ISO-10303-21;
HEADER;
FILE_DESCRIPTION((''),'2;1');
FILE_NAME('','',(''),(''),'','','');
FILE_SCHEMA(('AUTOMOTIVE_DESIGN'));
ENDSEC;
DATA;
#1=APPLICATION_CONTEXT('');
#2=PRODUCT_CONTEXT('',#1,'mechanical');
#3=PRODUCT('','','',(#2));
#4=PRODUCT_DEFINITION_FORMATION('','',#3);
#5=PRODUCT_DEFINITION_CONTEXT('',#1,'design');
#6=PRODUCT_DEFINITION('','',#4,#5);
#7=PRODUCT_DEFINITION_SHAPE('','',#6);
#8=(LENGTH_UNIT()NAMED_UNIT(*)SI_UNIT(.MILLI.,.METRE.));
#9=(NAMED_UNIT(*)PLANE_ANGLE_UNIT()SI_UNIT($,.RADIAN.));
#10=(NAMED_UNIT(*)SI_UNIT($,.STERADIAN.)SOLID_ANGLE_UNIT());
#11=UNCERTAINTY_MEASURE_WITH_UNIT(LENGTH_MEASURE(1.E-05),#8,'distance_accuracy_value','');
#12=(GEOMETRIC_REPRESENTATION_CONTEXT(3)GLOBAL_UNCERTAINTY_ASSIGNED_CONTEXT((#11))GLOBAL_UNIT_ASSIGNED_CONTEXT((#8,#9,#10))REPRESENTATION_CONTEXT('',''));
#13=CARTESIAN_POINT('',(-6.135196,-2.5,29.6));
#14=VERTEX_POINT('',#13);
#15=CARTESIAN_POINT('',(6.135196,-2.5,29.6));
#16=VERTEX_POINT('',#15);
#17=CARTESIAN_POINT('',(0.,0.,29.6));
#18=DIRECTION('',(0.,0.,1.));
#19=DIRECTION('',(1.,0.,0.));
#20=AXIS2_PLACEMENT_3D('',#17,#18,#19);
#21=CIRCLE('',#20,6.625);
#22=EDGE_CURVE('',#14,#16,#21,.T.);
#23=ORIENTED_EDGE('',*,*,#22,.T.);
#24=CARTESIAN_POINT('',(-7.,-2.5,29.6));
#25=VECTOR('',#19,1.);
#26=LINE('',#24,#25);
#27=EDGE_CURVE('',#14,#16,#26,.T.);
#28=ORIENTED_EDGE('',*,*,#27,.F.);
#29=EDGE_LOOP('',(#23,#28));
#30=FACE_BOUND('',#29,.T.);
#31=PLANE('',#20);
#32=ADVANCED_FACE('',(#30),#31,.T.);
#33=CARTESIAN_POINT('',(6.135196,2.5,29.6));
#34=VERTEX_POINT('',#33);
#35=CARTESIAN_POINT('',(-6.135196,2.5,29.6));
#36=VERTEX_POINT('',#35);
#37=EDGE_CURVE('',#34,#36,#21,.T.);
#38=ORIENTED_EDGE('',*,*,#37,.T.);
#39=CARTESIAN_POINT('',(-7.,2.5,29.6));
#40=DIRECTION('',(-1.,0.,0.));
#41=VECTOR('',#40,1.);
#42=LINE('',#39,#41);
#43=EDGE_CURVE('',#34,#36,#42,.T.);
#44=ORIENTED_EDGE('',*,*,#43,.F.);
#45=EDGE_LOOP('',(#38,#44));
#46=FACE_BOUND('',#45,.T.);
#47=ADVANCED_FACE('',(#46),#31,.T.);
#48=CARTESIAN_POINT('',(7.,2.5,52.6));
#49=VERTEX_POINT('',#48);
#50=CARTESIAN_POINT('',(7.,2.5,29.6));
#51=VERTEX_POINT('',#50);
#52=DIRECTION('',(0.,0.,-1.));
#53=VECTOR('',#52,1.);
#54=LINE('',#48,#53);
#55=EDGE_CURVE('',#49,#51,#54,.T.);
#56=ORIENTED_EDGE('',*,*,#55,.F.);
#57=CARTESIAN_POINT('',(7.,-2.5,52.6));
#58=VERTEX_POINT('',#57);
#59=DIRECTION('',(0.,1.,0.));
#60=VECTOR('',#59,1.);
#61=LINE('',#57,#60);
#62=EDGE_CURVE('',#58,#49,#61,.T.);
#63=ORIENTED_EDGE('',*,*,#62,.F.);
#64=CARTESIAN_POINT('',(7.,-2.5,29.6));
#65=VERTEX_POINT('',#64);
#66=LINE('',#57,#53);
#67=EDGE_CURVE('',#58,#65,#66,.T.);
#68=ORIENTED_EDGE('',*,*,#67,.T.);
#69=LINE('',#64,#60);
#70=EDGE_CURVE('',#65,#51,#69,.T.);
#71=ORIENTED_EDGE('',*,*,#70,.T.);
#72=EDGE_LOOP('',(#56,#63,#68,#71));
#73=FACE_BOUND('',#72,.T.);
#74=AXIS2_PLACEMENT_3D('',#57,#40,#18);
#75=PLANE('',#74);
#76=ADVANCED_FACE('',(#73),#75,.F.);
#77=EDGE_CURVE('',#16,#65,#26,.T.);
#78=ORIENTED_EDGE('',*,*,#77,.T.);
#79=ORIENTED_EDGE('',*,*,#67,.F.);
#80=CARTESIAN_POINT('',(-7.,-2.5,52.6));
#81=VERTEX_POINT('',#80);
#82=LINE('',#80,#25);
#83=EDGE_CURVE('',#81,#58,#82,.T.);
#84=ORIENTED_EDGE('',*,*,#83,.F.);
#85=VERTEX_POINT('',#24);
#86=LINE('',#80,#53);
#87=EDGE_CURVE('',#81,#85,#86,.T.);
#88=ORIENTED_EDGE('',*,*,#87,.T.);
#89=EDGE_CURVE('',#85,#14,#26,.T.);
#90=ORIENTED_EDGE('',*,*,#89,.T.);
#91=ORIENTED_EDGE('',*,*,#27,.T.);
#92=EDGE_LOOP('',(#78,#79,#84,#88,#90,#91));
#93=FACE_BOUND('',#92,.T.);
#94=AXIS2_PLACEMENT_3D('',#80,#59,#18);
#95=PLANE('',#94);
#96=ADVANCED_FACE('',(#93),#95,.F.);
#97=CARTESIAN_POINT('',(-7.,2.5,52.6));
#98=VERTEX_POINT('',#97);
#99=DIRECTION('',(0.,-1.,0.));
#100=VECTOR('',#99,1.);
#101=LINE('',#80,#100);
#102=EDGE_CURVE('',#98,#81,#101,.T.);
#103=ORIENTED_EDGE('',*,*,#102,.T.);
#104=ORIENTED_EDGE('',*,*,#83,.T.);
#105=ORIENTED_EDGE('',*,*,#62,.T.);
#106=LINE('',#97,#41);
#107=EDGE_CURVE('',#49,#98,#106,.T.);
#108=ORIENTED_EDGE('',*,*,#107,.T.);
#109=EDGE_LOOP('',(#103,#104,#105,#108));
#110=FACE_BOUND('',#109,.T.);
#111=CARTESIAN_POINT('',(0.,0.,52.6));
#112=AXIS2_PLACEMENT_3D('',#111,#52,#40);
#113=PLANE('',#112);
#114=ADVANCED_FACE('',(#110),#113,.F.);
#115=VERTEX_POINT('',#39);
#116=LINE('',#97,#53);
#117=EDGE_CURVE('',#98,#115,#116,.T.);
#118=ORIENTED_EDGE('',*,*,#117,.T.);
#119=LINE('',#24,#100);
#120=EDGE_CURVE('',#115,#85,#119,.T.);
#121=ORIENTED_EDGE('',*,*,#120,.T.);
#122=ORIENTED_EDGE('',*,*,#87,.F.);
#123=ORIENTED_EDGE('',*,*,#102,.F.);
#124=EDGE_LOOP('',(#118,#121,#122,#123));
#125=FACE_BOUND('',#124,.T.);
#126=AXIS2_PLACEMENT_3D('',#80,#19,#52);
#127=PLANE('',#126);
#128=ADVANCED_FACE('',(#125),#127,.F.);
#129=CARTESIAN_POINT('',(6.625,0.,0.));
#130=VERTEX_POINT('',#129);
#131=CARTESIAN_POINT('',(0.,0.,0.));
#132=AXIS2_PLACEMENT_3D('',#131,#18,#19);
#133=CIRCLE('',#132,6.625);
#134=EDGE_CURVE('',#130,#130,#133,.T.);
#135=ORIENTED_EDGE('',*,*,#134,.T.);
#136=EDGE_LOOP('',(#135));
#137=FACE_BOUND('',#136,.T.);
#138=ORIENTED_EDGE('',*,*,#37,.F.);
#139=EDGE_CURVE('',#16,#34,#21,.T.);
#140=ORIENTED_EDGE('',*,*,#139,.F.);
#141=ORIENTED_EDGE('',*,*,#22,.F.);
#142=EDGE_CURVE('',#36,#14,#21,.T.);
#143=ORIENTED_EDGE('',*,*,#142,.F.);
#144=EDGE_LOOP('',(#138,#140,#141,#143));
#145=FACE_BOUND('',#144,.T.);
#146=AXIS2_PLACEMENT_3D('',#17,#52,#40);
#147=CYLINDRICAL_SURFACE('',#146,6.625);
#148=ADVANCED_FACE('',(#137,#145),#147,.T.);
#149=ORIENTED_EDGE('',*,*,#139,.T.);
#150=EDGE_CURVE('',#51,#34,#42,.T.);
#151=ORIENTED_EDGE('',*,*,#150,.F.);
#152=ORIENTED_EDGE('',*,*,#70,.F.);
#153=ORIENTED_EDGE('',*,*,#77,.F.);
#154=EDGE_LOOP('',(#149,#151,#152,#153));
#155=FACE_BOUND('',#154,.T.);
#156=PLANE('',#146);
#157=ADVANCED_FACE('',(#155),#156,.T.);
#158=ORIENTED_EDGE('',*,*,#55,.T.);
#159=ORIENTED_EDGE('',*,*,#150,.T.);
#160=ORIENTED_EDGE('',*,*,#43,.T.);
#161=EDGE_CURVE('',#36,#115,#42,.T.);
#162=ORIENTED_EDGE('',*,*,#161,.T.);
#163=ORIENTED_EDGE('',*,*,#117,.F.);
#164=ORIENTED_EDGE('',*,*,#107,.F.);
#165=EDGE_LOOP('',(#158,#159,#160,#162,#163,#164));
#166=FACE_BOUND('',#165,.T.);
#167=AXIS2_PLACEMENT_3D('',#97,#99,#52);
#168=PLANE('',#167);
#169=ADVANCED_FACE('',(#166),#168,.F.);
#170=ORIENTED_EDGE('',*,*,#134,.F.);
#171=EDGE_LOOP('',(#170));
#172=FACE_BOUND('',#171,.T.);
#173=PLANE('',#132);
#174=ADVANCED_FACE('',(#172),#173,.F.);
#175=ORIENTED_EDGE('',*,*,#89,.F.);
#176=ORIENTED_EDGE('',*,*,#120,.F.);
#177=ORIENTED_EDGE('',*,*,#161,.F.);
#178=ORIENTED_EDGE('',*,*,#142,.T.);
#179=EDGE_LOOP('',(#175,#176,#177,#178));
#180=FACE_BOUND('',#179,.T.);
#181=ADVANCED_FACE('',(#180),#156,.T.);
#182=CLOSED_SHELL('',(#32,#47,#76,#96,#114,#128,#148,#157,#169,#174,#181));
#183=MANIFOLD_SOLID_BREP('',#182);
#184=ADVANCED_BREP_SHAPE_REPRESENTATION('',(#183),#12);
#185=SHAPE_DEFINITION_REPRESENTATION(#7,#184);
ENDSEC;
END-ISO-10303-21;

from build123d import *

# Parameters (mm, degrees)
SKETCH1_R           = 6.625
BOSS_EXTRUDE1_DEPTH = 29.6
SKETCH2_W           = 14
SKETCH2_H           = 5
BOSS_EXTRUDE2_DEPTH = 23


with BuildPart() as part:
    # Sketch1 → Boss-Extrude1 (new body)
    with BuildSketch(Plane.XY):
        Circle(SKETCH1_R)
    extrude(amount=BOSS_EXTRUDE1_DEPTH)

    # Sketch2 → Boss-Extrude2 (add)
    with BuildSketch(Plane.XY.offset(29.6)):
        Rectangle(SKETCH2_W, SKETCH2_H)
    extrude(amount=BOSS_EXTRUDE2_DEPTH)


solid = part.part
